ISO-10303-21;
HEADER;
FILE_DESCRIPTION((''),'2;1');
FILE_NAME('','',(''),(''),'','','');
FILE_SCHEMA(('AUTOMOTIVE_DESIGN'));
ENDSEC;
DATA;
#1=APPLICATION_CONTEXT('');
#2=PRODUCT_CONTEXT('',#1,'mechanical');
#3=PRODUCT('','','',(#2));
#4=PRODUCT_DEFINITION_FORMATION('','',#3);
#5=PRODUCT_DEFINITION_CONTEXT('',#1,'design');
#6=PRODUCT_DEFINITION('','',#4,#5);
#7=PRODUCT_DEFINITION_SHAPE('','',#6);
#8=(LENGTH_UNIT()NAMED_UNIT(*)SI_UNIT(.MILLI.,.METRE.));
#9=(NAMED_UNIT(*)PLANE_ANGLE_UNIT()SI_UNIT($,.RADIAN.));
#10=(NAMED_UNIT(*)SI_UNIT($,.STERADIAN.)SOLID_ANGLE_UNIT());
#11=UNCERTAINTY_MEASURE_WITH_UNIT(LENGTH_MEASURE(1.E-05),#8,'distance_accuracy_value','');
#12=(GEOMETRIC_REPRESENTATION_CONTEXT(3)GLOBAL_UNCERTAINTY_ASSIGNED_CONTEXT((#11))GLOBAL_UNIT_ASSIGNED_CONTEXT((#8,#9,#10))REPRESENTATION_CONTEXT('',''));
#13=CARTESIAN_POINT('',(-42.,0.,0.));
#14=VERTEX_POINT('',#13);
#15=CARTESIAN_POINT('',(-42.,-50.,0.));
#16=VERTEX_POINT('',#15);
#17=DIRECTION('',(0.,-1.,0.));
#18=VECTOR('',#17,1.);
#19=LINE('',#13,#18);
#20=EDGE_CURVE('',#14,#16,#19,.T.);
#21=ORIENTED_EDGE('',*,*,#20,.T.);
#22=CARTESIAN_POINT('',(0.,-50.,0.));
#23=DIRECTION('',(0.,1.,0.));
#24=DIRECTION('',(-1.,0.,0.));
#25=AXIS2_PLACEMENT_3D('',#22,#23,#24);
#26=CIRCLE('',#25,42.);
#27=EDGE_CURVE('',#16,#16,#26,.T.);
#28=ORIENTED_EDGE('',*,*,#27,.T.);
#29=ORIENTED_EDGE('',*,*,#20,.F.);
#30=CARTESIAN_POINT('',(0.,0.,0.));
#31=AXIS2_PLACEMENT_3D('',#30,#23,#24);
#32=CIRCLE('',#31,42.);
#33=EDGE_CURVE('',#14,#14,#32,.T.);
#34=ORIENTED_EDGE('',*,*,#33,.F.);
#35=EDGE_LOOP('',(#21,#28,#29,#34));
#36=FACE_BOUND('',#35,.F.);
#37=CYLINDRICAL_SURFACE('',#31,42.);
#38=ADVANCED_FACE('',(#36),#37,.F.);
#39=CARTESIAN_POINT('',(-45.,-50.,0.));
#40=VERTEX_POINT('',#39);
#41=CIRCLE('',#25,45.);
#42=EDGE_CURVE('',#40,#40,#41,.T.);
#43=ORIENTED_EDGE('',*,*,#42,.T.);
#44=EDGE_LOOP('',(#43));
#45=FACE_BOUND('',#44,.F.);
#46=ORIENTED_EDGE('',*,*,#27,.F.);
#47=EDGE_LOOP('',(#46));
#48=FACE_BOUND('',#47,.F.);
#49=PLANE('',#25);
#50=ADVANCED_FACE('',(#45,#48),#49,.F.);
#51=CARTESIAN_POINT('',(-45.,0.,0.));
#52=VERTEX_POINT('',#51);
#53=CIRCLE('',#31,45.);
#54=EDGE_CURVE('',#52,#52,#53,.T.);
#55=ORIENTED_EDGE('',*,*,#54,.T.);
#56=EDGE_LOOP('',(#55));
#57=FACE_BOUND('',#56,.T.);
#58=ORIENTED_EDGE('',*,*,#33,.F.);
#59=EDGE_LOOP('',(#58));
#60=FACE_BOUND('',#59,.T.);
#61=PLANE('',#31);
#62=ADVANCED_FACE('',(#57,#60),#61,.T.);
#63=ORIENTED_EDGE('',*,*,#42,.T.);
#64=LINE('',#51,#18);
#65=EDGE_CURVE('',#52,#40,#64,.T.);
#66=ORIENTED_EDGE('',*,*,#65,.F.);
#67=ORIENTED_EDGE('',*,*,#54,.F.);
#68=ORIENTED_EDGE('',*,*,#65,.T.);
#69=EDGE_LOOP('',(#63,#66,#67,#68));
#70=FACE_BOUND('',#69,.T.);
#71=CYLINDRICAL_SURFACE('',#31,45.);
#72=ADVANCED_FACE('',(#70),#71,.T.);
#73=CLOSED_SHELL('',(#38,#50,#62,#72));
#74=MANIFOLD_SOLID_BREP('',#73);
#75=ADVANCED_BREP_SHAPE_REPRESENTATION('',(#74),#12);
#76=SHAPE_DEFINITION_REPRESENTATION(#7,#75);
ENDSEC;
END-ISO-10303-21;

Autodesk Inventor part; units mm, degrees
ref_plane "YZ Plane" through (0, 0, 0) normal (1, 0, 0) x (0, 1, 0)
ref_plane "XZ Plane" through (0, 0, 0) normal (0, 1, 0) x (-1, 0, 0)
ref_plane "XY Plane" through (0, 0, 0) normal (0, 0, 1) x (1, 0, 0)
sketch "Sketch1" plane through (0, 0, 0) normal (0, 1, 0) x (-1, 0, 0)
  circle A0 centre (0, 0) radius 45
  circle A1 centre (0, 0) radius 42
  dimension "d0" = 90
  dimension "d1" = 3
extrude "Extrusion1" add sketch "Sketch1" against normal blind 50
properties part number "PRS 1611 hatch tube 500mm_1200" material "Steel"
